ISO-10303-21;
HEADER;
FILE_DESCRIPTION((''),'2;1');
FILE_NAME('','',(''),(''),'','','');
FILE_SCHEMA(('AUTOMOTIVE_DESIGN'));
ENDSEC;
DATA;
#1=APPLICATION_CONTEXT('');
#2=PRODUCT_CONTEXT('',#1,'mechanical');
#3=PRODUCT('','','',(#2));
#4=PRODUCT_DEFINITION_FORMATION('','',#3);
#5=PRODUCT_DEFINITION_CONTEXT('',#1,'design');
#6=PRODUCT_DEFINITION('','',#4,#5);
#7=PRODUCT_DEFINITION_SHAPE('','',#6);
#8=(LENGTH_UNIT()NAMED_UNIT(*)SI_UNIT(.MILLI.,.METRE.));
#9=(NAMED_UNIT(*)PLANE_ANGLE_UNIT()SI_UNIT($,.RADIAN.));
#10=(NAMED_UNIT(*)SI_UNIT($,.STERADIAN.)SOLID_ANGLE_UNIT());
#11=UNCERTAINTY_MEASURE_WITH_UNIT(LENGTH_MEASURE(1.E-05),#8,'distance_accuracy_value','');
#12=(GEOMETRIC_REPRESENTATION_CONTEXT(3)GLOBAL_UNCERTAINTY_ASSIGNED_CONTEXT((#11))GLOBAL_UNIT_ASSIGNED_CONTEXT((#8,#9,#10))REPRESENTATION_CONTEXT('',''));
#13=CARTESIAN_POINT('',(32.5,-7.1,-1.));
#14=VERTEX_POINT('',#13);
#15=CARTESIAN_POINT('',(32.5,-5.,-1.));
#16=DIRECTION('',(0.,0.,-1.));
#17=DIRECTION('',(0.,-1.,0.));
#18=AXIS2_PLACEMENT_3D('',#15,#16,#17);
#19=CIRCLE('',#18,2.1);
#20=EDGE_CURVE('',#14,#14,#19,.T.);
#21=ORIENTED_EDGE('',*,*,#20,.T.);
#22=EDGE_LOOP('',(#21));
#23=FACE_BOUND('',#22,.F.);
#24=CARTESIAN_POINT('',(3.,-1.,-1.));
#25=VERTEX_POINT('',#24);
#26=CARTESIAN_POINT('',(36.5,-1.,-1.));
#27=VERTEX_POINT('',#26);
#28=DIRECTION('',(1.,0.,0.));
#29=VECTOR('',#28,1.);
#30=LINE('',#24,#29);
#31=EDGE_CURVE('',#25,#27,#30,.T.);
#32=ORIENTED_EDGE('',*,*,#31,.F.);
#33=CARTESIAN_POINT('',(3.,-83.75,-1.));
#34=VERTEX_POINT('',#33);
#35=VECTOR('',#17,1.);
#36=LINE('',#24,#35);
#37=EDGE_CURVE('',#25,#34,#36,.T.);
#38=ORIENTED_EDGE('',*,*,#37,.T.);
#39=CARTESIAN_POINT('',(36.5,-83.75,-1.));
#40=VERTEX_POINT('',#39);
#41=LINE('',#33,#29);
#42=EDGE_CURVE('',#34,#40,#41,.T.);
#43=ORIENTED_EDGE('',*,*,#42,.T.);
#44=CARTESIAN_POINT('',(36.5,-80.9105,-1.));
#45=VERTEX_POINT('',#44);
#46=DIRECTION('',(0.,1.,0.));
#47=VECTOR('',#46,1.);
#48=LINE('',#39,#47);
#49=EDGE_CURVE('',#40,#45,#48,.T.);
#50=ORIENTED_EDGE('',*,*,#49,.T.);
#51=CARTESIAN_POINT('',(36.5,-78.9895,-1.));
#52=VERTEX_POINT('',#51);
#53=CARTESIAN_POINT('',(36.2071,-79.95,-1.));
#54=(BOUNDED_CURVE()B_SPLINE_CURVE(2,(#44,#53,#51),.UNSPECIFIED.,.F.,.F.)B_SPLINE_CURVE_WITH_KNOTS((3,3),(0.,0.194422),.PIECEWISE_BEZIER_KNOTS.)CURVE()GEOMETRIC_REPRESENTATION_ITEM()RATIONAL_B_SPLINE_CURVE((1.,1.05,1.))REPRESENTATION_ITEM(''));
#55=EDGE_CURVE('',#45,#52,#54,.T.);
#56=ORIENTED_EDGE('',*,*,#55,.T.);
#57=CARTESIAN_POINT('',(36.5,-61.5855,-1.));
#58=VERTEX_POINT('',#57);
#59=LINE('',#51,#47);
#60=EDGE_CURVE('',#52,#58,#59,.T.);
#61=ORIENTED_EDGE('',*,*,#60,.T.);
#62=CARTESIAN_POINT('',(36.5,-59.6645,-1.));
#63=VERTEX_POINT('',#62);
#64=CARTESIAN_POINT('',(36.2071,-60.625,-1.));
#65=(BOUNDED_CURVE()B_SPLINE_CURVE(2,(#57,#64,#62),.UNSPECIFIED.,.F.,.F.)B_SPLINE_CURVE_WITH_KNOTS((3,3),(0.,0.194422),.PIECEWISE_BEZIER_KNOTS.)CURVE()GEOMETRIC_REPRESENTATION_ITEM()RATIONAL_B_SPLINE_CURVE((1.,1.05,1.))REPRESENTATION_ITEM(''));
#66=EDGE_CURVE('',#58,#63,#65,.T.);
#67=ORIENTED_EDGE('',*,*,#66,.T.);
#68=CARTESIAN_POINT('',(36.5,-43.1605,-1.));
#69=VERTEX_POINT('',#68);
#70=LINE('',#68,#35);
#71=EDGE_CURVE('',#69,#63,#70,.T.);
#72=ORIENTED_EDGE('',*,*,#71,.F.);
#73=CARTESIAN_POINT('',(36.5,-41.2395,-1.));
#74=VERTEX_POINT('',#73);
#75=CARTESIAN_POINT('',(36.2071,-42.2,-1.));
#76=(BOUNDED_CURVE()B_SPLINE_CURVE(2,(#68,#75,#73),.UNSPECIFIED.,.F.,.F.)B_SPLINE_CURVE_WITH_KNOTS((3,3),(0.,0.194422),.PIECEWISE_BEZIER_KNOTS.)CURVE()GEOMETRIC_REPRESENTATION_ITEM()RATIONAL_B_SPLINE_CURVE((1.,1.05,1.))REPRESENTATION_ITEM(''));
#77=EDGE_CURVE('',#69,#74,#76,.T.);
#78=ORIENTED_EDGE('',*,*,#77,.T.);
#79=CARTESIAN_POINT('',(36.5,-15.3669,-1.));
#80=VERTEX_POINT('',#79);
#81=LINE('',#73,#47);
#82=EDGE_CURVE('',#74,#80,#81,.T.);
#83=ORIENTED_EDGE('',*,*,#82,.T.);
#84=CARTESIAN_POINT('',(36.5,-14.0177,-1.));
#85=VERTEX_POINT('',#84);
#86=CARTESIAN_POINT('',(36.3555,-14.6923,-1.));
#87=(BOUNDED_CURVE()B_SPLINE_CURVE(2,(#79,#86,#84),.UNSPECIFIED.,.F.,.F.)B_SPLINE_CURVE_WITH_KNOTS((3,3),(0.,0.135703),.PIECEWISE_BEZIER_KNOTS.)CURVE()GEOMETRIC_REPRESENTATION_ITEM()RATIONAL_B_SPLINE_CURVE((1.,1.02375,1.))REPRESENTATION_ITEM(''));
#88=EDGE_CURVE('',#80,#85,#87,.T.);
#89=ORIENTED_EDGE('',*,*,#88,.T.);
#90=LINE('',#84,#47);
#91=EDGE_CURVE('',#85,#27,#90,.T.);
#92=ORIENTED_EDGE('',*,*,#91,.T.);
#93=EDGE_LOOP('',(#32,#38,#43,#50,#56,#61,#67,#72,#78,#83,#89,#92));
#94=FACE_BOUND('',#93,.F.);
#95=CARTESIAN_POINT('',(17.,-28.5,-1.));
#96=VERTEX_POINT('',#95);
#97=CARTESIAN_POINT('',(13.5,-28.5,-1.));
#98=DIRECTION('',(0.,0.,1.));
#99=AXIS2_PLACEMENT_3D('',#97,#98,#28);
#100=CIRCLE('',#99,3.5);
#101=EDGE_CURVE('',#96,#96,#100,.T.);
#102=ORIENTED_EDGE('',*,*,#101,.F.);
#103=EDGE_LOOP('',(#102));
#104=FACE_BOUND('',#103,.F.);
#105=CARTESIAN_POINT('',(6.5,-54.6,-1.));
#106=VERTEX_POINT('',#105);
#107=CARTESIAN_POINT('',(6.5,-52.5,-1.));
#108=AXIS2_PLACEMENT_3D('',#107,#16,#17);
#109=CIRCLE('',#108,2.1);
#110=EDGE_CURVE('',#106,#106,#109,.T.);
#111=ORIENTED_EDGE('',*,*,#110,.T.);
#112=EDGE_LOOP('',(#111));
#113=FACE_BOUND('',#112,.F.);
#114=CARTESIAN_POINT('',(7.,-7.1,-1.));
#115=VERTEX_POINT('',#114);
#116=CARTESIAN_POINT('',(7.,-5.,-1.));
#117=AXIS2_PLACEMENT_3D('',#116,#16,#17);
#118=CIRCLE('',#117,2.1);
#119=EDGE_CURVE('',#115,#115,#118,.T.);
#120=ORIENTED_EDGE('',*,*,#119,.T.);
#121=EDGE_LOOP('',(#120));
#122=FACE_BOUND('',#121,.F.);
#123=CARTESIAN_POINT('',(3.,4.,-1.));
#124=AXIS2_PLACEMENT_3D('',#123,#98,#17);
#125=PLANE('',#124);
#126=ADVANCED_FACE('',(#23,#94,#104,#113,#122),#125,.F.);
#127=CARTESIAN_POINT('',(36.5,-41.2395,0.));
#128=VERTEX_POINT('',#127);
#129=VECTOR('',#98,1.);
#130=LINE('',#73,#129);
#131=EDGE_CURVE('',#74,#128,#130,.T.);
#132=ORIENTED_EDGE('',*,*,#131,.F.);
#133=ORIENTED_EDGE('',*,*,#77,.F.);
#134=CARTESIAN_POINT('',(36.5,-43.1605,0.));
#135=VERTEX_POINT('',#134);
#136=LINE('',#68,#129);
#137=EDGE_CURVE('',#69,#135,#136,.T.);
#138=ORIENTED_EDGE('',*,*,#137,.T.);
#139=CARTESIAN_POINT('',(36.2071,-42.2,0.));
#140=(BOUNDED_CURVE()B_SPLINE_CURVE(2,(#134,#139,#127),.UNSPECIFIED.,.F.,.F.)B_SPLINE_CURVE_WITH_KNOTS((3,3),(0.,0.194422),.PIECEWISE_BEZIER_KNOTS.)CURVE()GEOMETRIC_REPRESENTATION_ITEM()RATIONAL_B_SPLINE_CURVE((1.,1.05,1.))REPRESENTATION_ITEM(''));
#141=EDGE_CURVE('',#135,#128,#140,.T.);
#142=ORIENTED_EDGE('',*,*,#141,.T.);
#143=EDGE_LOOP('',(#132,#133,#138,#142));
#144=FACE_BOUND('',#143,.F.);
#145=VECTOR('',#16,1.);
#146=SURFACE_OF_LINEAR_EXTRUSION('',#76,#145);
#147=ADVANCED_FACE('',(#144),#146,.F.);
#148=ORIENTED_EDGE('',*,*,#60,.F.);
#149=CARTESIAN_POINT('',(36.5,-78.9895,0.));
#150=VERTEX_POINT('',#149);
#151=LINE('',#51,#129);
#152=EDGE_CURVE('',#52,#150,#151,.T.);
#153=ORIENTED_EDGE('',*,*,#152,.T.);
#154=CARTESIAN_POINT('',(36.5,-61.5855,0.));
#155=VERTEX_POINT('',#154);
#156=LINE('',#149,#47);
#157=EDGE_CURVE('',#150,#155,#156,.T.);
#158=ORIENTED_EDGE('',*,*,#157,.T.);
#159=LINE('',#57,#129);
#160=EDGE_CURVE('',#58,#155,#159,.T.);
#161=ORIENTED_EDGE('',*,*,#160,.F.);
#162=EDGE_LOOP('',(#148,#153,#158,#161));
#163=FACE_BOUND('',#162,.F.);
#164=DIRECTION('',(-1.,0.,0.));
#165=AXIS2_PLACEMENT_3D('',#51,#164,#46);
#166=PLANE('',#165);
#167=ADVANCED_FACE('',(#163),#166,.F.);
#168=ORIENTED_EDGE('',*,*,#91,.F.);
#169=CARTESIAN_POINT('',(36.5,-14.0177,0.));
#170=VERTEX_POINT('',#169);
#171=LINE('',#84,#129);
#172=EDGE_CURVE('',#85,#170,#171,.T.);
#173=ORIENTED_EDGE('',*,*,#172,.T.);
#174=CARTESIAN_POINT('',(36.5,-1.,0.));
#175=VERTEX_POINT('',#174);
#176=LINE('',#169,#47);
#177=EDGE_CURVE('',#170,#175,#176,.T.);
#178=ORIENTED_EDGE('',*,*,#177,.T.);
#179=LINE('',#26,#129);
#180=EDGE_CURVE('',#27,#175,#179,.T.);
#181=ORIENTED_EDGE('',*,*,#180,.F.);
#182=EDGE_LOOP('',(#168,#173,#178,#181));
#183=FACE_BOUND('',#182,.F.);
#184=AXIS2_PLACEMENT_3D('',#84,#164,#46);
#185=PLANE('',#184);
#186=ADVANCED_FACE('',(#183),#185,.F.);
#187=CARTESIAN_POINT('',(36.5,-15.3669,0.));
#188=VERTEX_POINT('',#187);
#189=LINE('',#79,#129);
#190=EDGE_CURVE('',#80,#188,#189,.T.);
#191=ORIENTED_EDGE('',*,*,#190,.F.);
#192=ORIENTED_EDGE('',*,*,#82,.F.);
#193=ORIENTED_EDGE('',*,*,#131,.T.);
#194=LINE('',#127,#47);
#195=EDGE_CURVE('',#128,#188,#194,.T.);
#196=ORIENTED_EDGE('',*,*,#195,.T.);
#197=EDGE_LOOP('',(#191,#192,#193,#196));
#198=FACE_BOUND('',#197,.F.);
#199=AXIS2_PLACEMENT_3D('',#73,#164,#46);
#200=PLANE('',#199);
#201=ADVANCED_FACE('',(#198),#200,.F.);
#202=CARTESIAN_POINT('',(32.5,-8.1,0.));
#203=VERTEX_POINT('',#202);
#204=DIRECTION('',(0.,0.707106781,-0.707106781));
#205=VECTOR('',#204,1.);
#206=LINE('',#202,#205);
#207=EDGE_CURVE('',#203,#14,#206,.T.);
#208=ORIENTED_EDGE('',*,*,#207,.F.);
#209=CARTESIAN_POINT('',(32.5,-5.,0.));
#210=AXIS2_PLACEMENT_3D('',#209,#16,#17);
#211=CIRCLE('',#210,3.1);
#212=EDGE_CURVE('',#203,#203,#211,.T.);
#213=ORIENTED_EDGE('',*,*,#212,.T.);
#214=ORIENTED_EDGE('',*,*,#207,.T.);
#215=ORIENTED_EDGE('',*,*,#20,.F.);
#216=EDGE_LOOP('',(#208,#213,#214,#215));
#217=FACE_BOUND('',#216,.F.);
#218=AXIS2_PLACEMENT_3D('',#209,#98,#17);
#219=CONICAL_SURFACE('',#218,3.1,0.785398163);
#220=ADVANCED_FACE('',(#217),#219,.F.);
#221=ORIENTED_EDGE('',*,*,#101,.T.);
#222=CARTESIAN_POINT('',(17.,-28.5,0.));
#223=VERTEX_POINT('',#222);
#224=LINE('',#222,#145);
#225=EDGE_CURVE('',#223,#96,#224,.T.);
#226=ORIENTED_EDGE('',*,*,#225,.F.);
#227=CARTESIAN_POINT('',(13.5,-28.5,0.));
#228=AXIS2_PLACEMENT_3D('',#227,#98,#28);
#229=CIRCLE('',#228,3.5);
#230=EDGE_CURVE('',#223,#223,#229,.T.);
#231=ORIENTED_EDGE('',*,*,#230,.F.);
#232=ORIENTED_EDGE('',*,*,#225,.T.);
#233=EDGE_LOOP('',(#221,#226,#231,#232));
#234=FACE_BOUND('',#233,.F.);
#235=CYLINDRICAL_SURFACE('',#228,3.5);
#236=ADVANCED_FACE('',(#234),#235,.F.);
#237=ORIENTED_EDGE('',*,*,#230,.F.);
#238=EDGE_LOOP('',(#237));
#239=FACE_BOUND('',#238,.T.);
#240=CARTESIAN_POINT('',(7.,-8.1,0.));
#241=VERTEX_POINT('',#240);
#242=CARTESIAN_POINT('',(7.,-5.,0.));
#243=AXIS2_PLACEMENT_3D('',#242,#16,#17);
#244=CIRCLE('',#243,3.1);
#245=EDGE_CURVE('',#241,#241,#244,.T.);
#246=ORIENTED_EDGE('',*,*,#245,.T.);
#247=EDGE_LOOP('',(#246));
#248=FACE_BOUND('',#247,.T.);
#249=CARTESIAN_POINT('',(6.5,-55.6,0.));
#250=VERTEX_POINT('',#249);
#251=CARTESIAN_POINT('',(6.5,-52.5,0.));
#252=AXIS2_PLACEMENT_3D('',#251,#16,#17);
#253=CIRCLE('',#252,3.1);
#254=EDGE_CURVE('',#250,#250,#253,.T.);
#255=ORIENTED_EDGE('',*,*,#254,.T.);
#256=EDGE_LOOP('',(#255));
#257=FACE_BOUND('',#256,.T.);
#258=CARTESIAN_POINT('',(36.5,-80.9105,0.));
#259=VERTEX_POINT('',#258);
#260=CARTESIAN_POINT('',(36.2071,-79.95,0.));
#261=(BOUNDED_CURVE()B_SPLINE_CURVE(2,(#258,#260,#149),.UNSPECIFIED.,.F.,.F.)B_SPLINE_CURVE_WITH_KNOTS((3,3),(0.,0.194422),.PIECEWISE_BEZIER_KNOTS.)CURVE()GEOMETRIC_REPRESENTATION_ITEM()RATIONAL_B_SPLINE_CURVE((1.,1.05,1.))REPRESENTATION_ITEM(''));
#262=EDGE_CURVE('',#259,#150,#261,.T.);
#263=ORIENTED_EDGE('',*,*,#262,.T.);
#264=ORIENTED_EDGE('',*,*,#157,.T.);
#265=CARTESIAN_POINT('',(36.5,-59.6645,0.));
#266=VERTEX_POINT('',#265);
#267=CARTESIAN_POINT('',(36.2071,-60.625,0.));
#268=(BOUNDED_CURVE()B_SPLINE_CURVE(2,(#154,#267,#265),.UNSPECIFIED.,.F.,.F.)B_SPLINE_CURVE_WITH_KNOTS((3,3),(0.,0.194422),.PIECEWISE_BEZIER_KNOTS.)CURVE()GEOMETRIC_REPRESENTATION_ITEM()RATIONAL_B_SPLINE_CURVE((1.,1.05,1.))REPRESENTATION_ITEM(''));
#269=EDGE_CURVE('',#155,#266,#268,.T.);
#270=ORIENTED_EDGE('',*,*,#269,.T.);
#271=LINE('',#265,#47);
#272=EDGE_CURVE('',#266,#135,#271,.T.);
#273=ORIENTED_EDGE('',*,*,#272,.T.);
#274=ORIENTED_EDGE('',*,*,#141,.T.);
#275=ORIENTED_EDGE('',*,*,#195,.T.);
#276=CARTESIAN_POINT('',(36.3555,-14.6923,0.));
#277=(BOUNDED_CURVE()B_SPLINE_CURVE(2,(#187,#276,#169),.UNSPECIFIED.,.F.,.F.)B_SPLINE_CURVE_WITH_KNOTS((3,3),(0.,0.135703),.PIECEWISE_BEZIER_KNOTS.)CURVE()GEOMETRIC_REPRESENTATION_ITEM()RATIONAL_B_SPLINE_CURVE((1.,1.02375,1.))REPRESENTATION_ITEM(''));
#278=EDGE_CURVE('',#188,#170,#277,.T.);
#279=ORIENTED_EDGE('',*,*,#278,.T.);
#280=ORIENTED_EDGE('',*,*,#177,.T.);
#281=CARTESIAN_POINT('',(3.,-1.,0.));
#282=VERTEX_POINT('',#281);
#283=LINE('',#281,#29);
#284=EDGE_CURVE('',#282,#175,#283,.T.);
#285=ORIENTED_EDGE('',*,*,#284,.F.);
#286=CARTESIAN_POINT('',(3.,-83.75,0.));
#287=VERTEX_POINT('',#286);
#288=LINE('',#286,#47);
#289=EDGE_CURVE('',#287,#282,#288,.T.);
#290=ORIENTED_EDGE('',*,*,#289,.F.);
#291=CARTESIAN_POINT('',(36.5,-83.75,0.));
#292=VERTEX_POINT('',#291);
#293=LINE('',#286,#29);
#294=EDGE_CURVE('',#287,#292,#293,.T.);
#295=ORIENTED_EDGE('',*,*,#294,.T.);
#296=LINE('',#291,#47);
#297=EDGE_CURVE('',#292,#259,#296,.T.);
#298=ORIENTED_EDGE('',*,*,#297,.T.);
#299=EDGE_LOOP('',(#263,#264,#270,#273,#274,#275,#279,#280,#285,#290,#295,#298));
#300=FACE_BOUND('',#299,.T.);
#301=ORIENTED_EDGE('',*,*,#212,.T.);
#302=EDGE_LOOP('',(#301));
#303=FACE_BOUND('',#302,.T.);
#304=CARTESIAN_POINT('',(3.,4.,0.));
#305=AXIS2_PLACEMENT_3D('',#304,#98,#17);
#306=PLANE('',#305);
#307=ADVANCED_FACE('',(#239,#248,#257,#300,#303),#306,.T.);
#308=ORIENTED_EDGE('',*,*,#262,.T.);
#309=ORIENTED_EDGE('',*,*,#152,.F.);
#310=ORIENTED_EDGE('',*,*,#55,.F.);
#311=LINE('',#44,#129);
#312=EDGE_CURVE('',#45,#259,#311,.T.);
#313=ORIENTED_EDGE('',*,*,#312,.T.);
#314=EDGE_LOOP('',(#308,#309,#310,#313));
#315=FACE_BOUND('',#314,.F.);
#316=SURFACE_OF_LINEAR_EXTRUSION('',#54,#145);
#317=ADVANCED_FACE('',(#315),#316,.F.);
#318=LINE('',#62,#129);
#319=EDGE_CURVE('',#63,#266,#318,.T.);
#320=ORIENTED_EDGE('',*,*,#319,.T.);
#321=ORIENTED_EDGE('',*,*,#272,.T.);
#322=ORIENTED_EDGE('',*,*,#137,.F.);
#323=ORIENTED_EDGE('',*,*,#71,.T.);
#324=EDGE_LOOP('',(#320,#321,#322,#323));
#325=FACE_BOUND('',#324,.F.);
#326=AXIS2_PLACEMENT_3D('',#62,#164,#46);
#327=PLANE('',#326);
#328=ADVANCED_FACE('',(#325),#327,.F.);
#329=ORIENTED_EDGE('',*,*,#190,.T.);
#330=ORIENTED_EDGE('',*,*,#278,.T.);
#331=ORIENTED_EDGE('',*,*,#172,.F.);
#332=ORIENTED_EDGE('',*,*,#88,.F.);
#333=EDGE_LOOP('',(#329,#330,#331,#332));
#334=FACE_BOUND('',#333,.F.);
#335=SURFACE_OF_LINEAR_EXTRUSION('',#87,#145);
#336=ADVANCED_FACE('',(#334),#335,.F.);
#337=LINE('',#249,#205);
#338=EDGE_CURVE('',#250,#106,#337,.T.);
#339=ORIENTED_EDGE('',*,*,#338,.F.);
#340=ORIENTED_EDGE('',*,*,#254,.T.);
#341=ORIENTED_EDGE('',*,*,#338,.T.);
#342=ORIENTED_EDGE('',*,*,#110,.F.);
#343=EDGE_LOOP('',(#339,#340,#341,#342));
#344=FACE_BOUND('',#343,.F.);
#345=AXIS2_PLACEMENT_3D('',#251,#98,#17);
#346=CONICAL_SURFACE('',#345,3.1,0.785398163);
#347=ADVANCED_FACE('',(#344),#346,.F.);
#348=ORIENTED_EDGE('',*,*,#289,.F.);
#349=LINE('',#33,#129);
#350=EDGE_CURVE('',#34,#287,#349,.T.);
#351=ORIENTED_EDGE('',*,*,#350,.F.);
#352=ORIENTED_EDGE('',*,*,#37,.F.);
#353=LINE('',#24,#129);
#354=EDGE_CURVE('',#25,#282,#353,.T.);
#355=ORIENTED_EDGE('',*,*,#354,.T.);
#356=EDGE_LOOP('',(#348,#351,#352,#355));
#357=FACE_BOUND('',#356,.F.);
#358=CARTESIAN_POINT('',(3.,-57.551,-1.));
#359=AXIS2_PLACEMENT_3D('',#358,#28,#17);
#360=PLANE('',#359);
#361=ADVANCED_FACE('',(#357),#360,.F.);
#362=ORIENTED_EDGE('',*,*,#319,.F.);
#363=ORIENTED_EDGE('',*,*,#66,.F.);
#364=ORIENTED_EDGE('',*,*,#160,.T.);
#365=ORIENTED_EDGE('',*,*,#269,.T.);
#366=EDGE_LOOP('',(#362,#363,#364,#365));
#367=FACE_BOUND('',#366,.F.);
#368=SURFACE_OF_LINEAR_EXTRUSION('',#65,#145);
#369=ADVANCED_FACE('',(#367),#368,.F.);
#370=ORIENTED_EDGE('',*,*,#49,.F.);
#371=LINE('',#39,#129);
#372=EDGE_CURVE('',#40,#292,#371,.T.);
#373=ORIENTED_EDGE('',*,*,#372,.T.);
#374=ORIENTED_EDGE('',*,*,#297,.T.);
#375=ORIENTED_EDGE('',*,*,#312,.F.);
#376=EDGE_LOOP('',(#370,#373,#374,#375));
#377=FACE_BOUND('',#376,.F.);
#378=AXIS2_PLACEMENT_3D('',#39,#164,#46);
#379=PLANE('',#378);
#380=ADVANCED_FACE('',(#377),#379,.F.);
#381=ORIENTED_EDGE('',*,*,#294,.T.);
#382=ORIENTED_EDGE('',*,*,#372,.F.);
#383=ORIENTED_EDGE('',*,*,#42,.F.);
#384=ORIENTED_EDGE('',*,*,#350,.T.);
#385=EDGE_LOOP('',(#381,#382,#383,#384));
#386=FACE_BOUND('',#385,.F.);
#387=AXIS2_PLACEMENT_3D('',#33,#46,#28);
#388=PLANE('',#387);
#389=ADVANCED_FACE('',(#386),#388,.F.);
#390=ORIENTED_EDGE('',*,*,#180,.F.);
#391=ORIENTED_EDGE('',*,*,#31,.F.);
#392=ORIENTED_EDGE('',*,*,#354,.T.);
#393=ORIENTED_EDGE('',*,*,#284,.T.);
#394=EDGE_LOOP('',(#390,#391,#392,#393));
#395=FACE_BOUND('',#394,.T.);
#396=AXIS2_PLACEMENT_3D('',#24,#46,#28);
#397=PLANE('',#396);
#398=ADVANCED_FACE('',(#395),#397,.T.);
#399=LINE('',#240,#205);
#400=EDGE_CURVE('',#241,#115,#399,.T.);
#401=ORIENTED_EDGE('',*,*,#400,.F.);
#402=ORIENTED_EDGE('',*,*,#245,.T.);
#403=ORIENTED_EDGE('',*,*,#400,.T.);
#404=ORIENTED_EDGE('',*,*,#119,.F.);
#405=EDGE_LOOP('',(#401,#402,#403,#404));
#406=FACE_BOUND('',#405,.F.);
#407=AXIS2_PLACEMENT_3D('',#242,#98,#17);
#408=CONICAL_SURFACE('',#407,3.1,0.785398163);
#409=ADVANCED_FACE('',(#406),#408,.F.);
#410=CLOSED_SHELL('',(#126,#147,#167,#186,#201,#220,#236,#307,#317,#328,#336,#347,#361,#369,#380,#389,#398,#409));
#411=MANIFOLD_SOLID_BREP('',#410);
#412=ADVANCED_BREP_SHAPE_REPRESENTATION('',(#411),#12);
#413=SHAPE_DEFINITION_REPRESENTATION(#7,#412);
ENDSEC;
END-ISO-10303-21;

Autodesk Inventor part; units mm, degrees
ref_plane "YZ Plane" through (0, 0, 0) normal (1, 0, 0) x (0, 1, 0)
ref_plane "XZ Plane" through (0, 0, 0) normal (0, 1, 0) x (-1, 0, 0)
ref_plane "XY Plane" through (0, 0, 0) normal (0, 0, 1) x (1, 0, 0)
ref_plane "Work Plane1" through (3, 4, -1) normal (0, 0, 1) x (0, -1, 0)
sketch "Sketch1" plane through (3, 4, -1) normal (0, 0, 1) x (0, -1, 0)
  line L0 (87.75, 33.5) -> (84.9105, 33.5) projected
  line L1 (5, 0) -> (5, 33.5) projected
  line L2 (5, 0) -> (87.75, 0) projected
  line L3 (5, 0) -> (60, 0) projected
  line L4 (5, -3) -> (5, 0) projected
  line L5 (4, -3) -> (60, -3) projected
  line L6 (60, -3) -> (60, 0) projected
  line L7 (60, 0) -> (61.551, 0) projected
  circle A0 centre (74.375, 17.375) radius 6.75 projected
  line L8 (60, 0) -> (60, 33.5)
  circle A1 centre (32.5, 10.5) radius 5.5 projected
  circle A2 centre (9, 4) radius 2.1 projected
  circle A3 centre (9, 29.5) radius 2.1 projected
  circle A4 centre (56.5, 3.5) radius 2.1 projected
  line L9 (82.9895, 33.5) -> (65.5855, 33.5) projected
  line L10 (63.6645, 33.5) -> (47.1605, 33.5) projected
  spline S0 degree 2 poles (47.1605, 33.5) (46.2, 33.2071) (45.2395, 33.5) knots 0 0 0 0.194422 0.194422 0.194422 weights 1 1.05 1 projected
  line L11 (45.2395, 33.5) -> (19.3669, 33.5) projected
  spline S1 degree 2 poles (19.3669, 33.5) (18.6923, 33.3555) (18.0177, 33.5) knots 0 0 0 0.135703 0.135703 0.135703 weights 1 1.02375 1 projected
  spline S2 degree 2 poles (84.9105, 33.5) (83.95, 33.2071) (82.9895, 33.5) knots 0 0 0 0.194422 0.194422 0.194422 weights 1 1.05 1 projected
  spline S3 degree 2 poles (65.5855, 33.5) (64.625, 33.2071) (63.6645, 33.5) knots 0 0 0 0.194422 0.194422 0.194422 weights 1 1.05 1 projected
  line L12 (87.75, 0) -> (87.75, 33.5) projected
  line L13 (18.0177, 33.5) -> (5, 33.5) projected
  arc A5 (60, 1.551) -> (61.551, 0) centre (62.75, 2.75) ccw projected
  line L14 (60, 1.551) -> (60, 0) projected
  point P0 (89.75, 33.5)
  point P1 (52, 0)
  point P2 (64.076, 0)
  point P3 (87.674, 0)
  point P4 (63.25, 3.25)
  point P5 (86.9105, 33.5)
  point P6 (84.9895, 33.5)
  point P7 (63.949, 0)
  point P8 (84.801, 0)
extrude "Extrusion1" add sketch "Sketch1" along normal blind 1 contours L12 L2 A5 L8 L10 S3 L9 S2 L0 | L2 L8 A5 | L2 L1 L13 S1 L11 S0 L10 L8 | A0 | A1 | A2 | A3 | A4
sketch "Sketch2" plane through (3, 4, 0) normal (0, 0, 1) x (1, 0, 0)
  line L0 (12.5287, -34.71) -> (8.4496, -34.6899)
  arc A0 (8.4713, -30.29) -> (8.4496, -34.6899) centre (10.5, -32.5) ccw
  line L1 (8.4713, -30.29) -> (12.5504, -30.3101)
  arc A1 (12.5287, -34.71) -> (12.5504, -30.3101) centre (10.5, -32.5) ccw
  circle A2 centre (10.5, -32.5) radius 3
  circle A3 centre (10.5, -32.5) radius 3.5
  point P0 (-3, -4)
  dimension "d5" = 0.5
extrude "Extrusion2" cut sketch "Sketch2" against normal up to next contours A2 L0 | L0 A0 L1 A1 | A2 L1 | A3
sketch "Sketch3" plane through (3, 4, 0) normal (0, 0, 1) x (1, 0, 0)
  circle A0 centre (10.5, -32.5) radius 3.5 projected
  line L0 (0, -5) -> (0, -87.75) projected
  line L1 (33.5, -5) -> (0, -5) projected
  circle A1 centre (3.5, -56.5) radius 3.5
  circle A2 centre (4, -9) radius 4
  circle A3 centre (3.5, -56.5) radius 2.6
  circle A4 centre (4, -9) radius 2.6
  circle A5 centre (29.5, -9) radius 4
  circle A6 centre (29.5, -9) radius 2.6
  line L2 (33.5, -63.6645) -> (33.5, -47.1605) projected
  line L3 (33.5, -45.2395) -> (33.5, -19.3669) projected
  line L4 (33.5, -18.0177) -> (33.5, -5) projected
  line L5 (0, -87.75) -> (33.5, -87.75) projected
  line L6 (33.5, -87.75) -> (33.5, -84.9105) projected
  line L7 (33.5, -82.9895) -> (33.5, -65.5855) projected
  point P0 (-3, -4)
  dimension "d8" = 7
  dimension "d17" = 8
  dimension "d18" = 5.2
  dimension "d19" = 5.2
  dimension "d20" = 4
  dimension "d21" = 4
  dimension "d22" = 8
  dimension "d23" = 5.2
  dimension "d25" = 4
hole "Hole1" at (6.5, -52.5, 0) at (7, -5, 0) at (32.5, -5, 0) direction (0, 0, -1) diameter 3.6 end through all countersink diameter 6.2 countersink angle 90 clearance for "Countersunk Flat Head Screw ISO 2009/7046" size "M3" standard "ISO"
properties part number "right_metal_gear_bracker"
